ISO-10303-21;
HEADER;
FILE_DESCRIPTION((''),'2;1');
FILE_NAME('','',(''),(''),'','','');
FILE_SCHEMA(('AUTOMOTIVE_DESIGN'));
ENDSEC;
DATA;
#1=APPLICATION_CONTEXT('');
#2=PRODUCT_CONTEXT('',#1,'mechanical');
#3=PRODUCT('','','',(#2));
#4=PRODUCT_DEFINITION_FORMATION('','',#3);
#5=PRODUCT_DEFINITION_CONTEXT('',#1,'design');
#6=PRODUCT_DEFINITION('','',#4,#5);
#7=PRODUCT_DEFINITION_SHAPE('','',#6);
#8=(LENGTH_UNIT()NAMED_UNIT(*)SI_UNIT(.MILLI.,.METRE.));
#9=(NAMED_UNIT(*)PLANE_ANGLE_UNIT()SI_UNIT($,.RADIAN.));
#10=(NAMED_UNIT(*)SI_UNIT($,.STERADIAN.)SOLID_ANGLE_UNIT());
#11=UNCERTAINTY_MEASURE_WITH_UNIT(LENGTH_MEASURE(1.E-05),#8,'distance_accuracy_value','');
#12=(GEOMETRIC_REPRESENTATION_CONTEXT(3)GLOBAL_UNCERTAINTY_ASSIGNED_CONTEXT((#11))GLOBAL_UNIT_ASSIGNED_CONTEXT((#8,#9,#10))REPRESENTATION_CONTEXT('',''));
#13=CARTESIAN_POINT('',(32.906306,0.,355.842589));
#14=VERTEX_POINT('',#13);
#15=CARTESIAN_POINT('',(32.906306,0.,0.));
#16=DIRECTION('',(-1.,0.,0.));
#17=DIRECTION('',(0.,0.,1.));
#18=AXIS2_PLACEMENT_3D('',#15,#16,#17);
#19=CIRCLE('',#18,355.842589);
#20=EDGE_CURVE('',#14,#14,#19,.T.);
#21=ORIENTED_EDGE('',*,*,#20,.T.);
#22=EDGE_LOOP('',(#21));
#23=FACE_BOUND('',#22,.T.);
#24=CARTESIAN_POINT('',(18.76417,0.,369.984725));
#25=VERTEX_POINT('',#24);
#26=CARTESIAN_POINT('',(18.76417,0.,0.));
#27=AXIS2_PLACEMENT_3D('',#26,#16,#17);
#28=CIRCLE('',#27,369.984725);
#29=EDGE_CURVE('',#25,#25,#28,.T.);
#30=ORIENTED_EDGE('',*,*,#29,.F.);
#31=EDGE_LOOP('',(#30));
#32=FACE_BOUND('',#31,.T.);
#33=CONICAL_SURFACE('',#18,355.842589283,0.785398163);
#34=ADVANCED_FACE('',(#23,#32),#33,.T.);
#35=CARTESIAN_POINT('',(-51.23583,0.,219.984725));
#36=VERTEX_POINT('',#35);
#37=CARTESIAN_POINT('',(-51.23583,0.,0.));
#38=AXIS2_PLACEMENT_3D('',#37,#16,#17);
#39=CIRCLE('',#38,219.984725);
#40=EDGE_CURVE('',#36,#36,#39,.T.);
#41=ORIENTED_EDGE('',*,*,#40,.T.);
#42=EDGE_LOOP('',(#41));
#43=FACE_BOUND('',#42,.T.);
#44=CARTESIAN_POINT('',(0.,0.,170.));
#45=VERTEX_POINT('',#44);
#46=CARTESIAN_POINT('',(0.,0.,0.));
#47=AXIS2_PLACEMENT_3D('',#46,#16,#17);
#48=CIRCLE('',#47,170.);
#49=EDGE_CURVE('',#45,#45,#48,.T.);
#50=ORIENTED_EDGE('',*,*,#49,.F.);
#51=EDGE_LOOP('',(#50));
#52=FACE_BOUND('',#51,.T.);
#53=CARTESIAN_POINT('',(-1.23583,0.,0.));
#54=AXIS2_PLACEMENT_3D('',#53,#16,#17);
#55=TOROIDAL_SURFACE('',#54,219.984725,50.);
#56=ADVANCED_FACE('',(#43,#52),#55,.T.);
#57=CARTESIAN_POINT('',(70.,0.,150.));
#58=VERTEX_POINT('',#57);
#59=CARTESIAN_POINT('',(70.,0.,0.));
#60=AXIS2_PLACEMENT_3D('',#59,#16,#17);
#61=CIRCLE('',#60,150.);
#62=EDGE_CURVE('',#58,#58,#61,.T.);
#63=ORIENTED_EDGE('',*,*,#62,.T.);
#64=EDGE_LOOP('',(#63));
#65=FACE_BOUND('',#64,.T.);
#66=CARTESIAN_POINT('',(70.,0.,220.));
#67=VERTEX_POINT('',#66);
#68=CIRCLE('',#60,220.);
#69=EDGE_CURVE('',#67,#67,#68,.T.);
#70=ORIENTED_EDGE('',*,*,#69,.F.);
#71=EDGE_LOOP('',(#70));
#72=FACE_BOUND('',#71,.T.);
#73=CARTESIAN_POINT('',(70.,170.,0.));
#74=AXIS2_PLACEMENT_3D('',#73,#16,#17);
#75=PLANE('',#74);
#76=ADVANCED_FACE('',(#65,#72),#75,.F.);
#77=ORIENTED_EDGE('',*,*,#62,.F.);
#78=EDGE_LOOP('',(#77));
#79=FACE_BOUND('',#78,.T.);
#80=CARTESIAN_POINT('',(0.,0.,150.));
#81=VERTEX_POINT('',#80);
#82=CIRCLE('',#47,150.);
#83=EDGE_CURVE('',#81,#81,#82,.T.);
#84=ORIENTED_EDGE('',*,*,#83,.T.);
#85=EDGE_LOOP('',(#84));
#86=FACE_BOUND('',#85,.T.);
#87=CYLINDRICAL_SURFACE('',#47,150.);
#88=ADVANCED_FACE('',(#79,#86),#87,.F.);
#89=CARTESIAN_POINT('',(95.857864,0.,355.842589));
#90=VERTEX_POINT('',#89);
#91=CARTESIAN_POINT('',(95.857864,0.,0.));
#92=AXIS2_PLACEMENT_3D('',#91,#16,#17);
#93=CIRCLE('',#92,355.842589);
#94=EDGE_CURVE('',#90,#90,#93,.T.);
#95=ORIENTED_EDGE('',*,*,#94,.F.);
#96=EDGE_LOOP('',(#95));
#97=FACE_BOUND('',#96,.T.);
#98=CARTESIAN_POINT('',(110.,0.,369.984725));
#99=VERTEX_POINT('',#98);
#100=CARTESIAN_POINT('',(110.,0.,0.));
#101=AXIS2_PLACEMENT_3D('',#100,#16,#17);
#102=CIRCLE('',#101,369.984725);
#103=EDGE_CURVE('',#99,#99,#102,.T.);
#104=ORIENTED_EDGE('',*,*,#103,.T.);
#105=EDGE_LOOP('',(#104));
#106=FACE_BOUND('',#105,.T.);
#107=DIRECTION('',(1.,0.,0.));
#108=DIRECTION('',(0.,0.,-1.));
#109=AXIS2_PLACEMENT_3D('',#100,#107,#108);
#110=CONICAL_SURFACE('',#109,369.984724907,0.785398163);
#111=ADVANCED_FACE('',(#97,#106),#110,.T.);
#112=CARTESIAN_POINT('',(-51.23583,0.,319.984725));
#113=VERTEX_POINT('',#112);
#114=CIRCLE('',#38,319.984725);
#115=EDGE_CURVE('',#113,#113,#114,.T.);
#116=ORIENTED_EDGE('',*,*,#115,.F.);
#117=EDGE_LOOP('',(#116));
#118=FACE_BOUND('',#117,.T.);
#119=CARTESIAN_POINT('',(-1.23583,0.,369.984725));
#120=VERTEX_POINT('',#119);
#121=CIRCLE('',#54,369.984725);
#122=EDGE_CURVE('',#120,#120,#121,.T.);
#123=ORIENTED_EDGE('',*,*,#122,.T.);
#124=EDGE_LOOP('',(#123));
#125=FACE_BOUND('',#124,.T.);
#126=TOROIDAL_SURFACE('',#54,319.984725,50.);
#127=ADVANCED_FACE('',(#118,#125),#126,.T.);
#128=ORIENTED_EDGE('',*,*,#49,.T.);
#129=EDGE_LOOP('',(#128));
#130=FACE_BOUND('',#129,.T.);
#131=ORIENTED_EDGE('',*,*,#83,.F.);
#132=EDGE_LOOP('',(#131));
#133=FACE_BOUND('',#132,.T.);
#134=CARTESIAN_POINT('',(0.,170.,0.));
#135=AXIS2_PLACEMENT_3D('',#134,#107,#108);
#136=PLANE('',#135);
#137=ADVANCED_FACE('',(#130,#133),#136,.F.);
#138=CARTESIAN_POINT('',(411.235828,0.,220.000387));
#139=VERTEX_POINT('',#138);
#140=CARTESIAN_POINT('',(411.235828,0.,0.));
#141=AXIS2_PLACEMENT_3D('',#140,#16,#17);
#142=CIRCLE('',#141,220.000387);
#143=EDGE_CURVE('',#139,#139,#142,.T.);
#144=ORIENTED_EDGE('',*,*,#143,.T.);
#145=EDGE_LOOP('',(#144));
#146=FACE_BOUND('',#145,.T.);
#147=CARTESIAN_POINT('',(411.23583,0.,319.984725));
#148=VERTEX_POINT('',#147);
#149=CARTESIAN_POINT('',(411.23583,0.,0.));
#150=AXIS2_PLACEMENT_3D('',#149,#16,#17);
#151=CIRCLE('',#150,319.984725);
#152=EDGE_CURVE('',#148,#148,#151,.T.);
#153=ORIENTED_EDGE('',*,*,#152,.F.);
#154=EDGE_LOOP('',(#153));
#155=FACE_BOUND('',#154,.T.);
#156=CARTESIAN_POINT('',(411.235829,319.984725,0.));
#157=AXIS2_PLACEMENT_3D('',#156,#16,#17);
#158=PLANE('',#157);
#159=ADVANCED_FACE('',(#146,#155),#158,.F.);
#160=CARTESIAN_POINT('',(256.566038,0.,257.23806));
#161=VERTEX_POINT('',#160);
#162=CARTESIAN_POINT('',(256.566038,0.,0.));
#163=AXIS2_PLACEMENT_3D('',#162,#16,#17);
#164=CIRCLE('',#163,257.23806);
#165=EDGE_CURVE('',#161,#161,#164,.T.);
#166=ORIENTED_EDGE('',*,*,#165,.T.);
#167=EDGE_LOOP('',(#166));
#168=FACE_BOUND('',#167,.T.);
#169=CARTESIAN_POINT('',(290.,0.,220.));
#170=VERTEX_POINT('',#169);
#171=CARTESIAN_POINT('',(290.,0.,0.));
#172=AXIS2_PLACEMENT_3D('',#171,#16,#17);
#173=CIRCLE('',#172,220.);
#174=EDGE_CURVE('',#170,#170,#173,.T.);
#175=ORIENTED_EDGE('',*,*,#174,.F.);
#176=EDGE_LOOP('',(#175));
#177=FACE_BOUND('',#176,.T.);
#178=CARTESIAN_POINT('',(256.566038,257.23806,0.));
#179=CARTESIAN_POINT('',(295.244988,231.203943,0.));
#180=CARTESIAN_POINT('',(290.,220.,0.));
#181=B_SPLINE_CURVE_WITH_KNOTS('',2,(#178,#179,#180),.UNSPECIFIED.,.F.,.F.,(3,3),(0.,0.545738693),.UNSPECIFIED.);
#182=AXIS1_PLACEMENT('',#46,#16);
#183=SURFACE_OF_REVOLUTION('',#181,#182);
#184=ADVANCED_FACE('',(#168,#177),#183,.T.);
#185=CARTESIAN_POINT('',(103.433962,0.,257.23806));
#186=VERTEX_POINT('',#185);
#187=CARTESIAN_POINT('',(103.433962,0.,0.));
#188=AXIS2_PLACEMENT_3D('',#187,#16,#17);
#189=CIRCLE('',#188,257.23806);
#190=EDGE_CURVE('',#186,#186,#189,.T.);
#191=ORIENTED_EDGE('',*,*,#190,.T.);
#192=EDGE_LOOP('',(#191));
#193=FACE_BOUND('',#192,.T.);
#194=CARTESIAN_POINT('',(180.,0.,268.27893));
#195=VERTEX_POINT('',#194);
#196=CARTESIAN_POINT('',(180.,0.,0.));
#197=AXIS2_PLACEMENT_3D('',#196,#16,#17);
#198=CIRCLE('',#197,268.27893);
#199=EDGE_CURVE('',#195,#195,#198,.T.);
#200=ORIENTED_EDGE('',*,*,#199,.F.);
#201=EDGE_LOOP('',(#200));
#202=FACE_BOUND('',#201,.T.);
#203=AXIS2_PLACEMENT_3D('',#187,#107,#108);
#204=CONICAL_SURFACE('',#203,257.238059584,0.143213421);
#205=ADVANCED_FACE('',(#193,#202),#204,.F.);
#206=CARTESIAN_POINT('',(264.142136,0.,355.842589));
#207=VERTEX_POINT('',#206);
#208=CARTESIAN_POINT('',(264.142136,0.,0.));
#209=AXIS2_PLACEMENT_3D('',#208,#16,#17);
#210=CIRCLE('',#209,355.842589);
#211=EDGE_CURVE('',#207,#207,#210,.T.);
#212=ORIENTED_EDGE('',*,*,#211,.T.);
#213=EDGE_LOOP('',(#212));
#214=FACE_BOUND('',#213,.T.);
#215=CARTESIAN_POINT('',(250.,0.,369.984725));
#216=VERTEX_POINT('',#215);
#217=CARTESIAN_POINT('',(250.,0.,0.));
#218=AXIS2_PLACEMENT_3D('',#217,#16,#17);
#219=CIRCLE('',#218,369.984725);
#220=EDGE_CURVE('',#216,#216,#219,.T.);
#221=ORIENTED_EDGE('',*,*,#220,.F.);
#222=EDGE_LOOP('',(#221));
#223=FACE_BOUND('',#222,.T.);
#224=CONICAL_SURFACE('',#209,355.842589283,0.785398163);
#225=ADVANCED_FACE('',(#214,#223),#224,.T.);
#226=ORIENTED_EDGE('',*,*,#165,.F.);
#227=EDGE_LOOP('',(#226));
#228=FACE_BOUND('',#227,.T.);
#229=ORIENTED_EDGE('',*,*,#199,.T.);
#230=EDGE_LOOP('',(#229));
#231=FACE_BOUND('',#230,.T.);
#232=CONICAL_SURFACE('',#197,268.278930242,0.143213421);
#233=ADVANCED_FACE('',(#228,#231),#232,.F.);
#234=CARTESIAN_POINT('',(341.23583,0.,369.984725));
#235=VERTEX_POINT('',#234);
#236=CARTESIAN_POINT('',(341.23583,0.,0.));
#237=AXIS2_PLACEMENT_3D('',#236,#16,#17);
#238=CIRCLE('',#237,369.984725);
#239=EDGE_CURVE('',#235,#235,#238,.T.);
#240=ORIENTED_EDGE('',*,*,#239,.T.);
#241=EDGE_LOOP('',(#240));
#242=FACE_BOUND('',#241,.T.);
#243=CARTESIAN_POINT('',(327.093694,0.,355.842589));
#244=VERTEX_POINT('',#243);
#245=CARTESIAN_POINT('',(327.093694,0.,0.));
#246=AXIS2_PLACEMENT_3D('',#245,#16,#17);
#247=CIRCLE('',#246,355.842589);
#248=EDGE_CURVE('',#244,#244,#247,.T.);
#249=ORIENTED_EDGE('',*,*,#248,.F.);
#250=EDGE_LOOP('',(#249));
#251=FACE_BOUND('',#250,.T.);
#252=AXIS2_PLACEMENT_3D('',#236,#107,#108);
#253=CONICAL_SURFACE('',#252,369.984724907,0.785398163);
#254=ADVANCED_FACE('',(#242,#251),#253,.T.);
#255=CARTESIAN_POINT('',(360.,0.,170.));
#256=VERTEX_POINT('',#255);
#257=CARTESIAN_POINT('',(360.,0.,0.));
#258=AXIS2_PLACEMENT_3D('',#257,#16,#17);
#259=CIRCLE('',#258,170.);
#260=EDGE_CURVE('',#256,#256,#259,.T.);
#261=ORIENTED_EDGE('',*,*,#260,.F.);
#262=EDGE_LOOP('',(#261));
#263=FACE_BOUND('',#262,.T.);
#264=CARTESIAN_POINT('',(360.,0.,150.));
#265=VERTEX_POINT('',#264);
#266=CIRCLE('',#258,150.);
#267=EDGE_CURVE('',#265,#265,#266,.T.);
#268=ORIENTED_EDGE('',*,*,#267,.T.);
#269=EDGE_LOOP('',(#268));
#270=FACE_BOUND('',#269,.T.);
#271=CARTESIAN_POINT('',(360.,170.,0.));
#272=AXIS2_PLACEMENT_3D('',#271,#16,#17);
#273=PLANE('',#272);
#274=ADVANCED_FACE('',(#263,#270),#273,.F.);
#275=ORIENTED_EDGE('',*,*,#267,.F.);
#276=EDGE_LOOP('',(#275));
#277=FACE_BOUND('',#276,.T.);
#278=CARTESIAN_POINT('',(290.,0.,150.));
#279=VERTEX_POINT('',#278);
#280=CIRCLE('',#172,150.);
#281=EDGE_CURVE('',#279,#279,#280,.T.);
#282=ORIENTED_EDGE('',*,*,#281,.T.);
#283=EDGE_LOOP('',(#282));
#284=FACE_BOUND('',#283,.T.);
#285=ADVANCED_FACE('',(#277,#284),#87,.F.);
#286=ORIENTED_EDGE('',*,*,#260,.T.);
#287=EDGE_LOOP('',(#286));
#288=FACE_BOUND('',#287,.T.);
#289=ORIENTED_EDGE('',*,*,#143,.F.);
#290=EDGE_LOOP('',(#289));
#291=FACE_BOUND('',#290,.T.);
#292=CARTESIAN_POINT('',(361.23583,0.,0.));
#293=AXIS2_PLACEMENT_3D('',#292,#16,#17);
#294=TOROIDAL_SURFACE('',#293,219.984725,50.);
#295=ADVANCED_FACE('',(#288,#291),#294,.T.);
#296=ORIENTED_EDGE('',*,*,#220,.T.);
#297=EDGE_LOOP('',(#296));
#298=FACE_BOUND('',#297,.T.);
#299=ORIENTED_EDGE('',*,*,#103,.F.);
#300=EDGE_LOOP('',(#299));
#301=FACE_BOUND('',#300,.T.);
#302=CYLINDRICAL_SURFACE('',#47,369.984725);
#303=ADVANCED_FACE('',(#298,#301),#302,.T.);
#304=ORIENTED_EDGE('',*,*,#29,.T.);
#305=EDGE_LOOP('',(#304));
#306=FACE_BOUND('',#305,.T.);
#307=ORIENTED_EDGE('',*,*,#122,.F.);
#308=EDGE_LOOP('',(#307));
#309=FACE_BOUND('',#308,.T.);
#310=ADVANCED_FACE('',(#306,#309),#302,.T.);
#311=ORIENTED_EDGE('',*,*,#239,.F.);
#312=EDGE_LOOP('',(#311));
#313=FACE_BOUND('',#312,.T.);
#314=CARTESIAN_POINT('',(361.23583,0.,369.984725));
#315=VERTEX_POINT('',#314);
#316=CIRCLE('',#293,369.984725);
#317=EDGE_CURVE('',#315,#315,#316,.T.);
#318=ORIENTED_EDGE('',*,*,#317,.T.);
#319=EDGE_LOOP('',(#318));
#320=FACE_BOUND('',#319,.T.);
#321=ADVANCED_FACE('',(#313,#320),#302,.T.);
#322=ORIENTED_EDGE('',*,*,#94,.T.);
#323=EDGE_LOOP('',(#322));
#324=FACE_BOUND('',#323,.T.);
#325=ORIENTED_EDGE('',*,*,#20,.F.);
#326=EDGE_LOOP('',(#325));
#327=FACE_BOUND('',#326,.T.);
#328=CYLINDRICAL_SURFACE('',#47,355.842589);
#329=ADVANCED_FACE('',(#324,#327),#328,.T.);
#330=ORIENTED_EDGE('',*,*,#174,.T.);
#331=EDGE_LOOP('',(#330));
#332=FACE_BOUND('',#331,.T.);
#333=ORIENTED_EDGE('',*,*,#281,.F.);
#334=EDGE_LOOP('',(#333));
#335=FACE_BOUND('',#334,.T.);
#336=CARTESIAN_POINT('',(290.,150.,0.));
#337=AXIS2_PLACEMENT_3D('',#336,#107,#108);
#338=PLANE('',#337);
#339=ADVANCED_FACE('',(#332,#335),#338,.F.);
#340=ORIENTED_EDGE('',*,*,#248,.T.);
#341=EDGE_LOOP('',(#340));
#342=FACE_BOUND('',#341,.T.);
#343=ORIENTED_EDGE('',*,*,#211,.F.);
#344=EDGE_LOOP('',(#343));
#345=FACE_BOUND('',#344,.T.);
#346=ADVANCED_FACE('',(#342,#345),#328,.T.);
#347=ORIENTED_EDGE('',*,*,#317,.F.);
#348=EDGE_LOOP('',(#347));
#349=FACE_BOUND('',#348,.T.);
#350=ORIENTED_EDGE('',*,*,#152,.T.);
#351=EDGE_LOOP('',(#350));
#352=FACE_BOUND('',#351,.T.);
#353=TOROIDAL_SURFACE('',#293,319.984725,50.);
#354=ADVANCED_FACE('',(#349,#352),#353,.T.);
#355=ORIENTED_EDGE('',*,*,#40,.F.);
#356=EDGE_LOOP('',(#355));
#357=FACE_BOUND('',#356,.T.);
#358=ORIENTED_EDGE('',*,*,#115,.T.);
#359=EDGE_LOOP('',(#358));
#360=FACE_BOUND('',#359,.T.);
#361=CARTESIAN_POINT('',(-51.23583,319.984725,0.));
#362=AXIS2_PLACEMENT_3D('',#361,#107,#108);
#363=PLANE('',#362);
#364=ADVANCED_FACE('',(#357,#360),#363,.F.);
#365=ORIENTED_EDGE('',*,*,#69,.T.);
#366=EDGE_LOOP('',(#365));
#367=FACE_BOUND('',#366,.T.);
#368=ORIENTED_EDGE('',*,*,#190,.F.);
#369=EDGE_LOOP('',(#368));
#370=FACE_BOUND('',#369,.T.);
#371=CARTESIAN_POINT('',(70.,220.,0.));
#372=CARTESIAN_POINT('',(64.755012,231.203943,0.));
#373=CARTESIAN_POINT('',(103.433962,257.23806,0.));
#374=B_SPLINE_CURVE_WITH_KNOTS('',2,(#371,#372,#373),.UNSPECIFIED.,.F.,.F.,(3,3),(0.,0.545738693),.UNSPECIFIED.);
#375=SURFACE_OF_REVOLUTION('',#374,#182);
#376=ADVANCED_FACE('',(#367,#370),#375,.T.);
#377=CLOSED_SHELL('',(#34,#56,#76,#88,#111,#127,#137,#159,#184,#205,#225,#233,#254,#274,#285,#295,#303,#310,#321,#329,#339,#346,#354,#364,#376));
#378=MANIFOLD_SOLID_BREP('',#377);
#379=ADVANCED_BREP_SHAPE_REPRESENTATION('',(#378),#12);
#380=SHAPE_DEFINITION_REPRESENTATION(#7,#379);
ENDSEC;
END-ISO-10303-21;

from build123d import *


with BuildPart() as part:
    # Esquisse1 → Révolution1 (revolve)
    with BuildSketch(Plane.XY, mode=Mode.PRIVATE) as r_volution1_sk:
        with BuildLine():
            Line((18.764169932, 369.984724907), (32.906305555, 355.842589283))
            Line((32.906305555, 355.842589283), (95.857864376, 355.842589283))
            Line((95.857864376, 355.842589283), (110, 369.984724907))
            Line((110, 369.984724907), (250, 369.984724907))
            Line((250, 369.984724907), (264.142135624, 355.842589283))
            Line((264.142135624, 355.842589283), (327.093694445, 355.842589283))
            Line((327.093694445, 355.842589283), (341.235830068, 369.984724907))
            Line((341.235830068, 369.984724907), (361.235830068, 369.984724907))
            ThreePointArc((361.235830068, 369.984724907), (396.591169128, 355.340063966), (411.235830068, 319.984724907))
            Line((411.235830068, 319.984724907), (411.235827615, 220.000387116))
            ThreePointArc((411.235827615, 220.000387116), (396.157108473, 184.20058995), (360, 170))
            Line((360, 170), (360, 150))
            Line((360, 150), (290, 150))
            Line((290, 150), (290, 170))
            Line((290, 170), (290, 220))
            add(Edge.make_bspline(
                [(290, 220), (295.244988156, 231.203943168), (256.566037823, 257.238059584)],
                knots=[0, 0, 0, 0.545738693, 0.545738693, 0.545738693], degree=2))
            Line((256.566037823, 257.238059584), (180, 268.278930242))
            Line((180, 268.278930242), (103.433962177, 257.238059584))
            add(Edge.make_bspline(
                [(70, 220), (64.755011844, 231.203943168), (103.433962177, 257.238059584)],
                knots=[0, 0, 0, 0.545738693, 0.545738693, 0.545738693], degree=2))
            Line((70, 220), (70, 170))
            Line((70, 170), (70, 150))
            Line((70, 150), (0, 150))
            Line((0, 150), (0, 170))
            ThreePointArc((0, 170), (-36.151503459, 184.195120946), (-51.235830068, 219.984724907))
            Line((-51.235830068, 219.984724907), (-51.235830068, 319.984724907))
            ThreePointArc((-51.235830068, 319.984724907), (-36.591169128, 355.340063966), (-1.235830068, 369.984724907))
            Line((-1.235830068, 369.984724907), (18.764169932, 369.984724907))
        make_face()
    revolve(r_volution1_sk.sketch.rotate(Axis((0, 0, 0), (1, 0, 0)), 90), axis=Axis((0, 0, 0), (1, 0, 0)))


solid = part.part
